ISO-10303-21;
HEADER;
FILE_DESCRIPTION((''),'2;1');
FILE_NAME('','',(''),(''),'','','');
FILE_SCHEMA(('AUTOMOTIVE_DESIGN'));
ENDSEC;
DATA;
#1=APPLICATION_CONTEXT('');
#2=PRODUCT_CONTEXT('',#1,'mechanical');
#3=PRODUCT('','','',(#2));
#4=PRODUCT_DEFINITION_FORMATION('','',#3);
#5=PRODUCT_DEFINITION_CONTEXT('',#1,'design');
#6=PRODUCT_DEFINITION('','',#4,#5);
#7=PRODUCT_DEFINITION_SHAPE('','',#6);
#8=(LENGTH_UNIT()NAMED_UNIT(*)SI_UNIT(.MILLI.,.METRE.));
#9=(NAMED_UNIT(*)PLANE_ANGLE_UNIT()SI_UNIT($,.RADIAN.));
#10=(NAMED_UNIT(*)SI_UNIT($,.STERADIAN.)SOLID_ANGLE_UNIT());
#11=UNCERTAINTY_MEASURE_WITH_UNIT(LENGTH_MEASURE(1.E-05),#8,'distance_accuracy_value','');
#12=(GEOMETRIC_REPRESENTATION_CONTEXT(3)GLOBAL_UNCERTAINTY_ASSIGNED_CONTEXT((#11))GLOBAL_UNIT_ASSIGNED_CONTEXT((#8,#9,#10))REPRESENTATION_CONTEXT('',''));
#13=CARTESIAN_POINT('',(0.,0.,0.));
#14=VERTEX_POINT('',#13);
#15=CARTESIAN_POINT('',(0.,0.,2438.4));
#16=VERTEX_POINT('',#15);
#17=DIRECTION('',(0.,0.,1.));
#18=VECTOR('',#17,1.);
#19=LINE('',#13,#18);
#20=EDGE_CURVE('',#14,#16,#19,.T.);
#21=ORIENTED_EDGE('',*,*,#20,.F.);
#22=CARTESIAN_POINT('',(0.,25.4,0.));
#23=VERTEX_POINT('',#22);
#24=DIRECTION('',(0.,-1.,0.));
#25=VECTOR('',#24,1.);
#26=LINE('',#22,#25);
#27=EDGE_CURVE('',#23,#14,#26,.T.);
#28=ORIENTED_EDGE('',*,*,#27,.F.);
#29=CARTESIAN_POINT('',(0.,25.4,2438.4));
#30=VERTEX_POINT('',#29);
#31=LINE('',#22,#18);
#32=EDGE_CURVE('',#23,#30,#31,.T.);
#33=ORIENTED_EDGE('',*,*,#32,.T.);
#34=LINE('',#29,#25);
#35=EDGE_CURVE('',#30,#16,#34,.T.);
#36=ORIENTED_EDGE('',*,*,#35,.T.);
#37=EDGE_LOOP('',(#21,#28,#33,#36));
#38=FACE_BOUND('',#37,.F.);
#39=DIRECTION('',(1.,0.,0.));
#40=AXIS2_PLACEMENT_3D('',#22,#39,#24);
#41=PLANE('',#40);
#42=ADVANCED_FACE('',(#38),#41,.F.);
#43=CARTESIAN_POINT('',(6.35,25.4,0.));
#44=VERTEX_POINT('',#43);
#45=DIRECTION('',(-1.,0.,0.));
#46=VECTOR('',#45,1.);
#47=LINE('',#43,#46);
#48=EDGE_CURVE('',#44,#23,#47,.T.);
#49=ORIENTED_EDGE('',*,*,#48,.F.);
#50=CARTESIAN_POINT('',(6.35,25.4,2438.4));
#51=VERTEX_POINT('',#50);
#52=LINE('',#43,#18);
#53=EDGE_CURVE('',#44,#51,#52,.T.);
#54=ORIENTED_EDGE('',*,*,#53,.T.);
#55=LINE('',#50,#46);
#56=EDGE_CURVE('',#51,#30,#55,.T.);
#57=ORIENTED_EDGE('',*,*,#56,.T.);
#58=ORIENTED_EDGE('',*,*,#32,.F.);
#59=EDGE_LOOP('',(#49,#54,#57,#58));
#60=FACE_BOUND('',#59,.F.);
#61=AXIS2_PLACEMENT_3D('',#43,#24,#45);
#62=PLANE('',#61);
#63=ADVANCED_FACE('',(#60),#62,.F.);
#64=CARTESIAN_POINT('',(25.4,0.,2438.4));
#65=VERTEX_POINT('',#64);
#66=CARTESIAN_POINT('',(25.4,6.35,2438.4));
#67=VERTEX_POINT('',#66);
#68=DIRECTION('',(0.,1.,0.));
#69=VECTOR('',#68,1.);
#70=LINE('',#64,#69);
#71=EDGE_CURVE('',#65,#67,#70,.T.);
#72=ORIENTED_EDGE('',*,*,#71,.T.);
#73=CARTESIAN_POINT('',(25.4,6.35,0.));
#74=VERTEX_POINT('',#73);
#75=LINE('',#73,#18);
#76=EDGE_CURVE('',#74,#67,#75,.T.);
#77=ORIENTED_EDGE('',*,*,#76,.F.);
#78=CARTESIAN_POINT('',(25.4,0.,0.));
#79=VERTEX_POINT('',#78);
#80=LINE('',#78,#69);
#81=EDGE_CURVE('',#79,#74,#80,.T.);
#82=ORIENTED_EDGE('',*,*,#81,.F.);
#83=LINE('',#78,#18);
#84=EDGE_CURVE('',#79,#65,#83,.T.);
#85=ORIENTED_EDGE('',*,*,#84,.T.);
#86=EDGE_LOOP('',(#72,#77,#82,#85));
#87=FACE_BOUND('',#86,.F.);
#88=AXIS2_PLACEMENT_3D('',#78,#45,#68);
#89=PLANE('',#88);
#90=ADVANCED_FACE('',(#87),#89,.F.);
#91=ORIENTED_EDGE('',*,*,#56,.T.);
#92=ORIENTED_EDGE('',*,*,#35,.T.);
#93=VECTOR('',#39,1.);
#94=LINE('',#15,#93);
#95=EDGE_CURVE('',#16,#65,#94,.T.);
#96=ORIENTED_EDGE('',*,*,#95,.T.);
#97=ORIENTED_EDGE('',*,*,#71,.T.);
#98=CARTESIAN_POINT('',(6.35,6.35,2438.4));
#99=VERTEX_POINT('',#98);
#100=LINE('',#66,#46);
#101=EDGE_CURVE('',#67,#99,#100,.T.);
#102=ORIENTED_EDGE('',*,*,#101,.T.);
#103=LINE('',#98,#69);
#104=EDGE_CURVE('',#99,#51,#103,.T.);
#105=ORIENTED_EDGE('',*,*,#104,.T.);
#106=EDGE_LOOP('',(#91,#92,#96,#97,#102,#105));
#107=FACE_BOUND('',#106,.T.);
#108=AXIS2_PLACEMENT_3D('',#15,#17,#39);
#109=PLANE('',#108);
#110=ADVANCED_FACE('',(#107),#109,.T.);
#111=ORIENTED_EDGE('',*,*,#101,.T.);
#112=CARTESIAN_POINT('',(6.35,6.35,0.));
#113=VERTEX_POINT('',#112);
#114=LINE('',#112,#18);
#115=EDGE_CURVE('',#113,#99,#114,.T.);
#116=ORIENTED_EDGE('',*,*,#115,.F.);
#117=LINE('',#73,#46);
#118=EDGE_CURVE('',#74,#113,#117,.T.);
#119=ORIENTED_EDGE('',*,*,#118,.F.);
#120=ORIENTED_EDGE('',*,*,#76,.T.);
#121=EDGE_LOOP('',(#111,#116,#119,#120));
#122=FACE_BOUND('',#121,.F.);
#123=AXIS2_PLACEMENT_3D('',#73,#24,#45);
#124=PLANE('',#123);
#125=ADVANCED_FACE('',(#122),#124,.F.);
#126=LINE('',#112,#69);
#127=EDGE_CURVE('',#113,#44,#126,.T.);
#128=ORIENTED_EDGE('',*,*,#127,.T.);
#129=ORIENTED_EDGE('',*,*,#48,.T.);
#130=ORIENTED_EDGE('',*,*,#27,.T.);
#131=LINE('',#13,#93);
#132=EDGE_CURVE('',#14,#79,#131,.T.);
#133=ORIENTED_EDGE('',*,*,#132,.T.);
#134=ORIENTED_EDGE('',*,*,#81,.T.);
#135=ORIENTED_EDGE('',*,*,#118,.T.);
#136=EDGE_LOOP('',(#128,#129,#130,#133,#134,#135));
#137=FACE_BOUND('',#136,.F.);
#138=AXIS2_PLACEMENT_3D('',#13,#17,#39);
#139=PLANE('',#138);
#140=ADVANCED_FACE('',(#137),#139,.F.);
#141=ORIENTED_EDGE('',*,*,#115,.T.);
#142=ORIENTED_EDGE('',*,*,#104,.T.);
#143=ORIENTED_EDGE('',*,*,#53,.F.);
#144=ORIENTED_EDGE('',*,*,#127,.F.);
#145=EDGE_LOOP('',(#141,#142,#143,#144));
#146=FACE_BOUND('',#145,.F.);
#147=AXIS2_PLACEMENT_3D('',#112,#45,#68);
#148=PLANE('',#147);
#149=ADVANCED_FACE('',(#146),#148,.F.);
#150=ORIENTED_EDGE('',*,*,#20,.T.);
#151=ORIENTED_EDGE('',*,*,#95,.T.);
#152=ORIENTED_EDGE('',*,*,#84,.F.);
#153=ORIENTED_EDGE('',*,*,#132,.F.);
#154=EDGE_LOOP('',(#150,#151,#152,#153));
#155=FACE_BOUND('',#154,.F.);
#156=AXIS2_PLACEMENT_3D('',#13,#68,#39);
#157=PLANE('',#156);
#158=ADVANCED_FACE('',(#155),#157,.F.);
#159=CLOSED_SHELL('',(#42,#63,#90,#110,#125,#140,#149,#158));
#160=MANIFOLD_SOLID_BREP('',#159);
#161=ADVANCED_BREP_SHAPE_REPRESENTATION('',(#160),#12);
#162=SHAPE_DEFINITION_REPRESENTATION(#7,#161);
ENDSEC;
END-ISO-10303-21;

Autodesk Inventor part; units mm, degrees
ref_plane "YZ Plane" through (0, 0, 0) normal (1, 0, 0) x (0, 1, 0)
ref_plane "XZ Plane" through (0, 0, 0) normal (0, 1, 0) x (-1, 0, 0)
ref_plane "XY Plane" through (0, 0, 0) normal (0, 0, 1) x (1, 0, 0)
sketch "Sketch1" plane through (0, 0, 0) normal (0, 0, 1) x (1, 0, 0)
  line L0 (0, 0) -> (25.4, 0)
  line L1 (25.4, 0) -> (25.4, 6.35)
  line L2 (25.4, 6.35) -> (6.35, 6.35)
  line L3 (6.35, 6.35) -> (6.35, 25.4)
  line L4 (6.35, 25.4) -> (0, 25.4)
  line L5 (0, 25.4) -> (0, 0)
  dimension "d0" = 25.4
  dimension "d1" = 6.35
  dimension "d2" = 19.05
  dimension "d3" = 19.05
extrude "Extrusion1" add sketch "Sketch1" along normal blind 2438.4
properties part number "LongL96T"
